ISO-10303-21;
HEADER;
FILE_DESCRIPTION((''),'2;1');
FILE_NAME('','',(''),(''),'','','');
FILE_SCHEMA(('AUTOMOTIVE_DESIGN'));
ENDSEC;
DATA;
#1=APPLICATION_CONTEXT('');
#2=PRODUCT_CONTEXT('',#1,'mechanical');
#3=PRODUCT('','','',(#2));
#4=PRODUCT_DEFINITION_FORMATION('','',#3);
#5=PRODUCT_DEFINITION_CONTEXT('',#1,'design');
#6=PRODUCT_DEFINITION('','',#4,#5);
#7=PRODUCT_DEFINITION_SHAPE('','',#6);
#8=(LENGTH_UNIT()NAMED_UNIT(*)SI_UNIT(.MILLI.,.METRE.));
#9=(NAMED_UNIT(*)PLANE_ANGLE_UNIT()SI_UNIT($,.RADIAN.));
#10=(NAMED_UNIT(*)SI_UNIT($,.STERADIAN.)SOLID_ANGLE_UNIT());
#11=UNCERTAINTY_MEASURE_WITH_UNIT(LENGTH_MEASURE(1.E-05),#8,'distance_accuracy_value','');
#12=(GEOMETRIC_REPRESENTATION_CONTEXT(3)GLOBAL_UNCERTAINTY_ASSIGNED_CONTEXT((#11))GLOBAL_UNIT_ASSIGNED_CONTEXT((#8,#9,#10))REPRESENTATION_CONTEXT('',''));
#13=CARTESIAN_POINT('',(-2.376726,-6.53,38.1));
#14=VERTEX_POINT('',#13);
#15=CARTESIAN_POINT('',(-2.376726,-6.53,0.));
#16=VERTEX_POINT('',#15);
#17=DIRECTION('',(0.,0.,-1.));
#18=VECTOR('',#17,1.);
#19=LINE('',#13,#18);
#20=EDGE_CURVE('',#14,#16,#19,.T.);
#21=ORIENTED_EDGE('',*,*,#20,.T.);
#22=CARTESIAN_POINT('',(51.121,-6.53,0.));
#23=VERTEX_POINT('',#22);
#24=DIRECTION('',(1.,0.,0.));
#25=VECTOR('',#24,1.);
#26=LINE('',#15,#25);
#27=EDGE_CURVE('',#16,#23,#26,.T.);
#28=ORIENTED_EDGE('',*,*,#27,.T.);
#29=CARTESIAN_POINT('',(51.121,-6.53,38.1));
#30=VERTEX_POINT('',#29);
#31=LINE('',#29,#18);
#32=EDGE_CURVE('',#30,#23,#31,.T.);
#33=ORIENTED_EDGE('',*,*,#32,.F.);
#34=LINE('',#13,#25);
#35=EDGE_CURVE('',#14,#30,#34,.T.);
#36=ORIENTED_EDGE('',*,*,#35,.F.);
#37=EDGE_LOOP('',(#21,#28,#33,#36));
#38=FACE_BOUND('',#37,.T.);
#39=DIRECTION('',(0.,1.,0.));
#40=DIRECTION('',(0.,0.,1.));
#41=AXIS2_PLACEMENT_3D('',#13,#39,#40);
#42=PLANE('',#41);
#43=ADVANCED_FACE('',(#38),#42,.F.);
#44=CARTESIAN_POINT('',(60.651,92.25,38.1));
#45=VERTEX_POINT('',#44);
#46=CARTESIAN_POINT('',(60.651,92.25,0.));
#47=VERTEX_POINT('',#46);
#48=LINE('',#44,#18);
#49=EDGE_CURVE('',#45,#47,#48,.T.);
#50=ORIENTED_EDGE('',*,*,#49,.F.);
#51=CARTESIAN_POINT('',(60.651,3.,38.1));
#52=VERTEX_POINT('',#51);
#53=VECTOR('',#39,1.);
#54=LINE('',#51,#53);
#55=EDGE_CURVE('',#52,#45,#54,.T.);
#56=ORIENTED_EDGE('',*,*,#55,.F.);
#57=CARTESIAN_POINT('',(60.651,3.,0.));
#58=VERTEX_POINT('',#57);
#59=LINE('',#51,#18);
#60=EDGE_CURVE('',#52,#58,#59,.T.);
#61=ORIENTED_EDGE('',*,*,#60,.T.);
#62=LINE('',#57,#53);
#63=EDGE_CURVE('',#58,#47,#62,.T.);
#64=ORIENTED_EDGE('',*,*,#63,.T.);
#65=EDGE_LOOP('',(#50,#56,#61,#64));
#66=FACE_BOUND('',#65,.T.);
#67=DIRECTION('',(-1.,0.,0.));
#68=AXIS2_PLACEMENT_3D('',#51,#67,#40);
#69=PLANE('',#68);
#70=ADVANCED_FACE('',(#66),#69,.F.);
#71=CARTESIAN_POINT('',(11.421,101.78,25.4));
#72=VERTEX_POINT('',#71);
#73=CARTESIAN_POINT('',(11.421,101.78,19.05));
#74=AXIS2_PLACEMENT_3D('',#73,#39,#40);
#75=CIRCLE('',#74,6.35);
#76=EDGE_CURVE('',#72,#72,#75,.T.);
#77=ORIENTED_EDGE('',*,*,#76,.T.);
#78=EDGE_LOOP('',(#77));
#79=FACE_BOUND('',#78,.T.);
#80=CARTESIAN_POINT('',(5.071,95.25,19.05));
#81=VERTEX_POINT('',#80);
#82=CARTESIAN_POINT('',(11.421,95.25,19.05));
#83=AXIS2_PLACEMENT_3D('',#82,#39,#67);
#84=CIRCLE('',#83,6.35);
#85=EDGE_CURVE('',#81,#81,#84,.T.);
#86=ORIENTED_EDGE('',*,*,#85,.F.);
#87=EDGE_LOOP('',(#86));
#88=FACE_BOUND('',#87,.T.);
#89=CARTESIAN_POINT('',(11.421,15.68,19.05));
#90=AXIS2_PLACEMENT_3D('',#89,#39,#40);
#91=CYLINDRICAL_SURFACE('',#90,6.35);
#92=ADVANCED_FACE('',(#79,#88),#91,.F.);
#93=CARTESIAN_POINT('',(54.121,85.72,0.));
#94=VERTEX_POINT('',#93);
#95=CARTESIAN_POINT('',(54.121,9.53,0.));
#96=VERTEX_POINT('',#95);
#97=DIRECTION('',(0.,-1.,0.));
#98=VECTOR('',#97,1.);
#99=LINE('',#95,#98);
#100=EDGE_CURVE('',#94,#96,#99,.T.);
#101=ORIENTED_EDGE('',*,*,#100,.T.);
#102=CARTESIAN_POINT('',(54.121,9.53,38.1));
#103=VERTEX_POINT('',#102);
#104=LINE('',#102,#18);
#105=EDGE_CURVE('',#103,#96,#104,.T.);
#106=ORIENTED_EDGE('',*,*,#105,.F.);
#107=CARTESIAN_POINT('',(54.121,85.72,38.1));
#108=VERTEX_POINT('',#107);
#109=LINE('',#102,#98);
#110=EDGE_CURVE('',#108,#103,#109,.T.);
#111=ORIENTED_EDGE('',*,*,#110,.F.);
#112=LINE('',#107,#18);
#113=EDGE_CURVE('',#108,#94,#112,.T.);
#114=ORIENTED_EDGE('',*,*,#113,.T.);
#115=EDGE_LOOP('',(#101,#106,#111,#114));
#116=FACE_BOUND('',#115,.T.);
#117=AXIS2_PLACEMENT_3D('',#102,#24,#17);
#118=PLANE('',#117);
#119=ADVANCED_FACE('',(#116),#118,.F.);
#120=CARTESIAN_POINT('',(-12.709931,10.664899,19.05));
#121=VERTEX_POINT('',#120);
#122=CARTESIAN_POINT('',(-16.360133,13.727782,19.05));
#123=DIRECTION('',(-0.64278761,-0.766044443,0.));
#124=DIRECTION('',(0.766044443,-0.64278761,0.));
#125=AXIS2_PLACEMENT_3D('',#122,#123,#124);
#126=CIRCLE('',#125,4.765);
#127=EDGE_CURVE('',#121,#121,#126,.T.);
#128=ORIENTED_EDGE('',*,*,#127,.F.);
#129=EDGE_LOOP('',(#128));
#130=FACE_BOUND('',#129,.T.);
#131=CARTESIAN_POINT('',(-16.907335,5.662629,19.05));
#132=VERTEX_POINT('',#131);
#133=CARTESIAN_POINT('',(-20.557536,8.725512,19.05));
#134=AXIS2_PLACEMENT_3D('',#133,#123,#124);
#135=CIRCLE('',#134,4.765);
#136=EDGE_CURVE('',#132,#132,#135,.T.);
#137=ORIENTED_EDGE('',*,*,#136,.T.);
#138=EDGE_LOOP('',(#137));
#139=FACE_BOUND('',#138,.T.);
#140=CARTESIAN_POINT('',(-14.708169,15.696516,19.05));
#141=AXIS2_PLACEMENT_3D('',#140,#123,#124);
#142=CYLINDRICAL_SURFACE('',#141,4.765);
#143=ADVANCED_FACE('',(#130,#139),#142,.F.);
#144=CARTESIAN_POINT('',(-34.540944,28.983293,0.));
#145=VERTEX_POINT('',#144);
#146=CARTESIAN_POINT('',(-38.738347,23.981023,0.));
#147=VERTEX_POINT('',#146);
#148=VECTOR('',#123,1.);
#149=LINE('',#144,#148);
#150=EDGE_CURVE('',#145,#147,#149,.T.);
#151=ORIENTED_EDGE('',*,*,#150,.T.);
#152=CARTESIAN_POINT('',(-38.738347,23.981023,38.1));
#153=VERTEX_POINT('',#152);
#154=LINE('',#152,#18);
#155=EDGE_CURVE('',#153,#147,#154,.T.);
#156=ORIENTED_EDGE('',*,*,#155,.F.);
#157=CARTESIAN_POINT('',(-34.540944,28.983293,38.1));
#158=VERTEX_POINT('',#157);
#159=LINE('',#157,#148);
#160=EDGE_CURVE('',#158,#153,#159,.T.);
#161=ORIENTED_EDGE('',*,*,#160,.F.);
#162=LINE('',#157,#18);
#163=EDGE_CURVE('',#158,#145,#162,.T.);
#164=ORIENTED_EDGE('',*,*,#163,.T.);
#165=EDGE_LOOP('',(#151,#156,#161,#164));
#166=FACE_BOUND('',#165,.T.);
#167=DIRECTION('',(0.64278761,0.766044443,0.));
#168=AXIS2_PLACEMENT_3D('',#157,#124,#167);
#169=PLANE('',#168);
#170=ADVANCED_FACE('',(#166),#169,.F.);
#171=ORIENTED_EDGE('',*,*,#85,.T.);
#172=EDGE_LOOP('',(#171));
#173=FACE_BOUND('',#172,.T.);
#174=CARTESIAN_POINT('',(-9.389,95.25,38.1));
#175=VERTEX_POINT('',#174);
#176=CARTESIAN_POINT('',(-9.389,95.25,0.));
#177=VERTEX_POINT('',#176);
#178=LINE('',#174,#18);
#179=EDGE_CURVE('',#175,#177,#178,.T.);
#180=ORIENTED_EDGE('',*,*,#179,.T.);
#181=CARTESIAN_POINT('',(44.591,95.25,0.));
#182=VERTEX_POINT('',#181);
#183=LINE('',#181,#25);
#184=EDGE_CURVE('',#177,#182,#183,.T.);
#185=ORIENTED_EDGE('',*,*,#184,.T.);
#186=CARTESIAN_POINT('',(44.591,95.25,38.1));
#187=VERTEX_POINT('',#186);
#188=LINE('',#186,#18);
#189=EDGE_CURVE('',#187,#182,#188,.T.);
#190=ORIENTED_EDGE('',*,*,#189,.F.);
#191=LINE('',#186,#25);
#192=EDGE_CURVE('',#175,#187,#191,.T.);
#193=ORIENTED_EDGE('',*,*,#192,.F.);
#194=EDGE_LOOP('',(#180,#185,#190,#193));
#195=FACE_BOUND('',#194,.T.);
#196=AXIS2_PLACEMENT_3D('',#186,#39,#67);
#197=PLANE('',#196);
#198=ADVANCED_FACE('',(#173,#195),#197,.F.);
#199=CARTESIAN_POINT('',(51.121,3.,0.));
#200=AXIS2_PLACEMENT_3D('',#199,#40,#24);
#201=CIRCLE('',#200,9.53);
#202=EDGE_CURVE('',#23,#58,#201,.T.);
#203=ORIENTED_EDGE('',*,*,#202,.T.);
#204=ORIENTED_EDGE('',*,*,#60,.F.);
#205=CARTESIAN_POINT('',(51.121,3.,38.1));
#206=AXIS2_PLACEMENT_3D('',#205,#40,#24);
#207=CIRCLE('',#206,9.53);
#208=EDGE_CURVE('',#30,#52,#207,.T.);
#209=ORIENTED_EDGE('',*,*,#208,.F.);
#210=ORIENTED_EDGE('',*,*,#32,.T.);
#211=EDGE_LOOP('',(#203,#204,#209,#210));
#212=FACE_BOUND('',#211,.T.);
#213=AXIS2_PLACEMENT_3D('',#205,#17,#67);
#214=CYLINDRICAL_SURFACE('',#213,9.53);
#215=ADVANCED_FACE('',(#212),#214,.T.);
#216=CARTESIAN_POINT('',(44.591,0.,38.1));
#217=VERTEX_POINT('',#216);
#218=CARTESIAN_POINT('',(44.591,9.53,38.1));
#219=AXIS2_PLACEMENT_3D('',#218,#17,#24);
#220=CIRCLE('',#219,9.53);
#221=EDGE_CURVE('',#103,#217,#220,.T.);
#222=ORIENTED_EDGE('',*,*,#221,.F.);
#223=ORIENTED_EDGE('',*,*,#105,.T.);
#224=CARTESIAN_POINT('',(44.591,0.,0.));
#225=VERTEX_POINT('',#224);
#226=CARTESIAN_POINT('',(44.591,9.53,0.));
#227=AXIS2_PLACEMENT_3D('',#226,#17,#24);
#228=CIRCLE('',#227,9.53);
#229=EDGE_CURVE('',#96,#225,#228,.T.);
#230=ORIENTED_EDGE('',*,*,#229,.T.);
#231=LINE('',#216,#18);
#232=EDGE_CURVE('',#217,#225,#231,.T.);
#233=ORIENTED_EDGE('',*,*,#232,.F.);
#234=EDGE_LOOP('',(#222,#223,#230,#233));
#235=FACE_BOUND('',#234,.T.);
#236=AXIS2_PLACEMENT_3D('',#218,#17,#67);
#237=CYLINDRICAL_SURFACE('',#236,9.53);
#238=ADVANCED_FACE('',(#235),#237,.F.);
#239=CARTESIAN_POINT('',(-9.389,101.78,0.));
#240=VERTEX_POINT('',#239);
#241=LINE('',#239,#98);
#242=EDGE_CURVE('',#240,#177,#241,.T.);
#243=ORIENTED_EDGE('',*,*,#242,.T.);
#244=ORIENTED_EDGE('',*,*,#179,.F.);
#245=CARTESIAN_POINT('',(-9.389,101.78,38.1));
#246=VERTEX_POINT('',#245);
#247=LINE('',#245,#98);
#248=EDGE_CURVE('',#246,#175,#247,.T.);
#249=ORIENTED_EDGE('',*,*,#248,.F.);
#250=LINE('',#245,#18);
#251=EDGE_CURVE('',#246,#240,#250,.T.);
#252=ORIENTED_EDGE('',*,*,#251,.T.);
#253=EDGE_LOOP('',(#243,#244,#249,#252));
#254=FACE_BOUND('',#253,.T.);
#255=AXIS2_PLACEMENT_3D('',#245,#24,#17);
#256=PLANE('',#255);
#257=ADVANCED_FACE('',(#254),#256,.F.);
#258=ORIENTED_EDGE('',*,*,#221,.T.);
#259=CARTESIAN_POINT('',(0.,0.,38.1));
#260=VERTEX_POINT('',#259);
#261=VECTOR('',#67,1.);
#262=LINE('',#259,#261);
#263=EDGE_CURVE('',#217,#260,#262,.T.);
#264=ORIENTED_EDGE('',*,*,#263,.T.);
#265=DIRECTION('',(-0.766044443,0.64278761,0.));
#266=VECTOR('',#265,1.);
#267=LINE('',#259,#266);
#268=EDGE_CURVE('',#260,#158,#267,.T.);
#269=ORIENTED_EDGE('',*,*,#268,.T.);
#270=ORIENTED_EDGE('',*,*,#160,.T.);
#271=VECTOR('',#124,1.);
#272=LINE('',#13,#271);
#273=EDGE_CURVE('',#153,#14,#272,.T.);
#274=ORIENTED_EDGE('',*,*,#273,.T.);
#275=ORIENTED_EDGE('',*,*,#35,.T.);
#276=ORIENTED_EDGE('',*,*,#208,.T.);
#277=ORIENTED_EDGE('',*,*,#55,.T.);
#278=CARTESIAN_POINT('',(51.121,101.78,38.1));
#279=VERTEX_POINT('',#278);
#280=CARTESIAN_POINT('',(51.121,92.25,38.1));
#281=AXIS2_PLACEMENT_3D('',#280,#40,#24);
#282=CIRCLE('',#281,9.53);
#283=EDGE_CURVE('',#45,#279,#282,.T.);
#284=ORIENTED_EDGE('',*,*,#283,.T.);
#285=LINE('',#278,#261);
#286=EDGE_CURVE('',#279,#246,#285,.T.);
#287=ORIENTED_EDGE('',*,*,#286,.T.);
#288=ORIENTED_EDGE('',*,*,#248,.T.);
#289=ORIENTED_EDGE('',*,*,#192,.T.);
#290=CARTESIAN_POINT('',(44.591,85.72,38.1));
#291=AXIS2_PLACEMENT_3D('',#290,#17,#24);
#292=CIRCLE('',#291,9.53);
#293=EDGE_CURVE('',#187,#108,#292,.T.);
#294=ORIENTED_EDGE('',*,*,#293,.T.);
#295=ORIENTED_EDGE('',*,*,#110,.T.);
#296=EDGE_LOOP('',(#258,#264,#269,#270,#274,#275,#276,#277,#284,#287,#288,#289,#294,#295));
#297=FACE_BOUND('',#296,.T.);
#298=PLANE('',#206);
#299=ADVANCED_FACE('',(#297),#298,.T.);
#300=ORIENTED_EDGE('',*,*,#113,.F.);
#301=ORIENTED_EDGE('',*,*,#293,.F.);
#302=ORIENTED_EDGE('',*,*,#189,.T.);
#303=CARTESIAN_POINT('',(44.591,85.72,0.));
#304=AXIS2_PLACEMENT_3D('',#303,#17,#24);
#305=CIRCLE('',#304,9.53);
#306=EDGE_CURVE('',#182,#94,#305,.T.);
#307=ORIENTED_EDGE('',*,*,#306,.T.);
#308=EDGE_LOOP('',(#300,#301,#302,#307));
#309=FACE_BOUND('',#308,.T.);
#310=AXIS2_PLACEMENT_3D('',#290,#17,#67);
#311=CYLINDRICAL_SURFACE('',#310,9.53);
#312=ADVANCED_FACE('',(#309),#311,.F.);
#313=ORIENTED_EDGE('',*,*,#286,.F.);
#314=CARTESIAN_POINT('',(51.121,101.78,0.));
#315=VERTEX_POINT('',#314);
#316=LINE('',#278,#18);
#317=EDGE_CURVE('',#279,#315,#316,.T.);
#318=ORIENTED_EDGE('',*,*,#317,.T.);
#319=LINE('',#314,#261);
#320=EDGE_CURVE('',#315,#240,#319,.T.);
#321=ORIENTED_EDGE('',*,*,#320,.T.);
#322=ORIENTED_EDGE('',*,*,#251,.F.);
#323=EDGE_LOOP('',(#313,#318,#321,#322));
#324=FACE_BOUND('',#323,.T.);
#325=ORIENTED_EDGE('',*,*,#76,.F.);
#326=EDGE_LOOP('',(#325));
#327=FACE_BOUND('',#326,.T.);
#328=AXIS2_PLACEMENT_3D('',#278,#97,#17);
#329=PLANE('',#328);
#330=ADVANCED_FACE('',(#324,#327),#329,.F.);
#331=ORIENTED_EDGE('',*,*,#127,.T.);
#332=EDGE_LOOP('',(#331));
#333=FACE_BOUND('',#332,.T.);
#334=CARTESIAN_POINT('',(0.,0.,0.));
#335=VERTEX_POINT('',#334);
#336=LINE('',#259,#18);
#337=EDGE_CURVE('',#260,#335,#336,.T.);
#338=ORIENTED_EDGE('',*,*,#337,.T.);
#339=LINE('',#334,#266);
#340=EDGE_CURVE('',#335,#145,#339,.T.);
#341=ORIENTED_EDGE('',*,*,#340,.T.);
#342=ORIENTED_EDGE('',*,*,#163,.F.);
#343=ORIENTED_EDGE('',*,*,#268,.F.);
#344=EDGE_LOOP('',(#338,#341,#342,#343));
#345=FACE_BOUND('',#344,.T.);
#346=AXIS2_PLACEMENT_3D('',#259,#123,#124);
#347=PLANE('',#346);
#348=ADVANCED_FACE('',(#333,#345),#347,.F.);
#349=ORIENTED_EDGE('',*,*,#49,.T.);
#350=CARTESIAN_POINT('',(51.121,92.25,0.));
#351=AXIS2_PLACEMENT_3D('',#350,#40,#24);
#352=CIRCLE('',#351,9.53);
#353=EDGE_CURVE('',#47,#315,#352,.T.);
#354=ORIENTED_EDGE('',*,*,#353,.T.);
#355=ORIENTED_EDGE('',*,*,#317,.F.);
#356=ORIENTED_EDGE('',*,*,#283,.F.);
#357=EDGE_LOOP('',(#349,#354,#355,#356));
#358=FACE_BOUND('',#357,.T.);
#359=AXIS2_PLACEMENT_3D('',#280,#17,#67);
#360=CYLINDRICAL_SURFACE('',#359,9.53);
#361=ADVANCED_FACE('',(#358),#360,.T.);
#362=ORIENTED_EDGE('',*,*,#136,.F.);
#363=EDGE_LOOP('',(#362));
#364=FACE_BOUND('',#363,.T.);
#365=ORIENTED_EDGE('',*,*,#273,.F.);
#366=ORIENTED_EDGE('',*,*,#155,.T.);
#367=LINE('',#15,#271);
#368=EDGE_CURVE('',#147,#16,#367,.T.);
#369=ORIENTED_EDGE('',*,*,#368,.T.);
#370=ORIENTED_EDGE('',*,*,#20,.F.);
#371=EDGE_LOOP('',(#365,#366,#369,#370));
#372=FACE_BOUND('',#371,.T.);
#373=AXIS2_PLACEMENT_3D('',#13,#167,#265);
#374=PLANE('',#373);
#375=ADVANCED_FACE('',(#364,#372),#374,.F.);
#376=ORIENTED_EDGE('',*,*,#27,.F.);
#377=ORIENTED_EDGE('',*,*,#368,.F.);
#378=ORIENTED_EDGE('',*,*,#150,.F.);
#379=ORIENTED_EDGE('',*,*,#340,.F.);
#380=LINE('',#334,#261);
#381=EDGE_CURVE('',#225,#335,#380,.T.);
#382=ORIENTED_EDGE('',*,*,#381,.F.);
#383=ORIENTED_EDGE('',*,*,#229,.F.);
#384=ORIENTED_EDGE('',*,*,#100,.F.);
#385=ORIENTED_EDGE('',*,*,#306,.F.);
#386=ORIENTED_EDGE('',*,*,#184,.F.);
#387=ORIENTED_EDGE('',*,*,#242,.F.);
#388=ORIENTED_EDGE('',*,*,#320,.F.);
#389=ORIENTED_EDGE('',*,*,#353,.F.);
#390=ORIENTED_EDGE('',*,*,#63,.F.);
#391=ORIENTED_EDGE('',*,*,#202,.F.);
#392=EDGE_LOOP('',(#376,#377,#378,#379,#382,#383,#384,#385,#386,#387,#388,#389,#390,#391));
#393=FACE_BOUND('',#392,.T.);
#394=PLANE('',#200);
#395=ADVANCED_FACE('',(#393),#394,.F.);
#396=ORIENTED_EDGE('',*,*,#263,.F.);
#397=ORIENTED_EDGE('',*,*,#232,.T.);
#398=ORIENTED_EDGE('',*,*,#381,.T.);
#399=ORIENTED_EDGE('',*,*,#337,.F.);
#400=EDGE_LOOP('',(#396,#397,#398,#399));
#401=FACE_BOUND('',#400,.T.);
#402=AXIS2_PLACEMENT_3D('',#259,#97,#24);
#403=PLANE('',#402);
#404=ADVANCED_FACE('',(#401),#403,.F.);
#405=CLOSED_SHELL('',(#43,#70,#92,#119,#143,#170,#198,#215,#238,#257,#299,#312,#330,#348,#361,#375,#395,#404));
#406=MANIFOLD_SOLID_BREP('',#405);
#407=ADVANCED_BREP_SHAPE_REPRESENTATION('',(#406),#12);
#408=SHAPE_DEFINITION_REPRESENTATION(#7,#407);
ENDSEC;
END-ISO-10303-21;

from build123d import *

# Parameters (mm, degrees)
BOSS_EXTRUDE1_DEPTH = 38.1
SKETCH2_R           = 6.35
CUT_EXTRUDE1_DEPTH  = 86.1
SKETCH4_R           = 4.765
CUT_EXTRUDE2_DEPTH  = 9.1


with BuildPart() as part:
    # Sketch1 → Boss-Extrude1 (new body)
    with BuildSketch(Plane.XY):
        with BuildLine():
            Line((0, 0), (44.591, 0))
            ThreePointArc((44.591, 0), (51.329727625, 2.791272375), (54.121, 9.53))
            Line((54.121, 9.53), (54.121, 85.72))
            ThreePointArc((54.121, 85.72), (51.329727625, 92.458727625), (44.591, 95.25))
            Line((44.591, 95.25), (-9.389, 95.25))
            Line((-9.389, 95.25), (-9.389, 101.78))
            Line((-9.389, 101.78), (51.121, 101.78))
            ThreePointArc((51.121, 101.78), (57.859727625, 98.988727625), (60.651, 92.25))
            Line((60.651, 92.25), (60.651, 3))
            ThreePointArc((60.651, 3), (57.859727625, -3.738727625), (51.121, -6.53))
            Line((51.121, -6.53), (-2.37672563, -6.53))
            Line((-2.37672563, -6.53), (-38.738347031, 23.981023107))
            Line((-38.738347031, 23.981023107), (-34.54094394, 28.983293321))
            Line((-34.54094394, 28.983293321), (0, 0))
        make_face()
    extrude(amount=BOSS_EXTRUDE1_DEPTH)

    # Sketch2 → Cut-Extrude1 (cut)
    with BuildSketch(Plane(origin=(0, 101.78, 0), x_dir=(1, 0, 0), z_dir=(0, 1, 0))):
        with Locations(Location((11.421, -19.05, 0), (0, 0, 270))):
            Circle(SKETCH2_R)
    extrude(amount=-CUT_EXTRUDE1_DEPTH, mode=Mode.SUBTRACT)

    # Sketch4 → Cut-Extrude2 (cut)
    with BuildSketch(Plane(origin=(-4.197403091, -5.002270214, 0), x_dir=(0.7660444431189817, -0.642787609686535, 0), z_dir=(-0.642787609686535, -0.7660444431189818, 0))):
        with Locations((-21.356637185, 19.05)):
            Circle(SKETCH4_R)
    extrude(amount=-CUT_EXTRUDE2_DEPTH, mode=Mode.SUBTRACT)


solid = part.part
